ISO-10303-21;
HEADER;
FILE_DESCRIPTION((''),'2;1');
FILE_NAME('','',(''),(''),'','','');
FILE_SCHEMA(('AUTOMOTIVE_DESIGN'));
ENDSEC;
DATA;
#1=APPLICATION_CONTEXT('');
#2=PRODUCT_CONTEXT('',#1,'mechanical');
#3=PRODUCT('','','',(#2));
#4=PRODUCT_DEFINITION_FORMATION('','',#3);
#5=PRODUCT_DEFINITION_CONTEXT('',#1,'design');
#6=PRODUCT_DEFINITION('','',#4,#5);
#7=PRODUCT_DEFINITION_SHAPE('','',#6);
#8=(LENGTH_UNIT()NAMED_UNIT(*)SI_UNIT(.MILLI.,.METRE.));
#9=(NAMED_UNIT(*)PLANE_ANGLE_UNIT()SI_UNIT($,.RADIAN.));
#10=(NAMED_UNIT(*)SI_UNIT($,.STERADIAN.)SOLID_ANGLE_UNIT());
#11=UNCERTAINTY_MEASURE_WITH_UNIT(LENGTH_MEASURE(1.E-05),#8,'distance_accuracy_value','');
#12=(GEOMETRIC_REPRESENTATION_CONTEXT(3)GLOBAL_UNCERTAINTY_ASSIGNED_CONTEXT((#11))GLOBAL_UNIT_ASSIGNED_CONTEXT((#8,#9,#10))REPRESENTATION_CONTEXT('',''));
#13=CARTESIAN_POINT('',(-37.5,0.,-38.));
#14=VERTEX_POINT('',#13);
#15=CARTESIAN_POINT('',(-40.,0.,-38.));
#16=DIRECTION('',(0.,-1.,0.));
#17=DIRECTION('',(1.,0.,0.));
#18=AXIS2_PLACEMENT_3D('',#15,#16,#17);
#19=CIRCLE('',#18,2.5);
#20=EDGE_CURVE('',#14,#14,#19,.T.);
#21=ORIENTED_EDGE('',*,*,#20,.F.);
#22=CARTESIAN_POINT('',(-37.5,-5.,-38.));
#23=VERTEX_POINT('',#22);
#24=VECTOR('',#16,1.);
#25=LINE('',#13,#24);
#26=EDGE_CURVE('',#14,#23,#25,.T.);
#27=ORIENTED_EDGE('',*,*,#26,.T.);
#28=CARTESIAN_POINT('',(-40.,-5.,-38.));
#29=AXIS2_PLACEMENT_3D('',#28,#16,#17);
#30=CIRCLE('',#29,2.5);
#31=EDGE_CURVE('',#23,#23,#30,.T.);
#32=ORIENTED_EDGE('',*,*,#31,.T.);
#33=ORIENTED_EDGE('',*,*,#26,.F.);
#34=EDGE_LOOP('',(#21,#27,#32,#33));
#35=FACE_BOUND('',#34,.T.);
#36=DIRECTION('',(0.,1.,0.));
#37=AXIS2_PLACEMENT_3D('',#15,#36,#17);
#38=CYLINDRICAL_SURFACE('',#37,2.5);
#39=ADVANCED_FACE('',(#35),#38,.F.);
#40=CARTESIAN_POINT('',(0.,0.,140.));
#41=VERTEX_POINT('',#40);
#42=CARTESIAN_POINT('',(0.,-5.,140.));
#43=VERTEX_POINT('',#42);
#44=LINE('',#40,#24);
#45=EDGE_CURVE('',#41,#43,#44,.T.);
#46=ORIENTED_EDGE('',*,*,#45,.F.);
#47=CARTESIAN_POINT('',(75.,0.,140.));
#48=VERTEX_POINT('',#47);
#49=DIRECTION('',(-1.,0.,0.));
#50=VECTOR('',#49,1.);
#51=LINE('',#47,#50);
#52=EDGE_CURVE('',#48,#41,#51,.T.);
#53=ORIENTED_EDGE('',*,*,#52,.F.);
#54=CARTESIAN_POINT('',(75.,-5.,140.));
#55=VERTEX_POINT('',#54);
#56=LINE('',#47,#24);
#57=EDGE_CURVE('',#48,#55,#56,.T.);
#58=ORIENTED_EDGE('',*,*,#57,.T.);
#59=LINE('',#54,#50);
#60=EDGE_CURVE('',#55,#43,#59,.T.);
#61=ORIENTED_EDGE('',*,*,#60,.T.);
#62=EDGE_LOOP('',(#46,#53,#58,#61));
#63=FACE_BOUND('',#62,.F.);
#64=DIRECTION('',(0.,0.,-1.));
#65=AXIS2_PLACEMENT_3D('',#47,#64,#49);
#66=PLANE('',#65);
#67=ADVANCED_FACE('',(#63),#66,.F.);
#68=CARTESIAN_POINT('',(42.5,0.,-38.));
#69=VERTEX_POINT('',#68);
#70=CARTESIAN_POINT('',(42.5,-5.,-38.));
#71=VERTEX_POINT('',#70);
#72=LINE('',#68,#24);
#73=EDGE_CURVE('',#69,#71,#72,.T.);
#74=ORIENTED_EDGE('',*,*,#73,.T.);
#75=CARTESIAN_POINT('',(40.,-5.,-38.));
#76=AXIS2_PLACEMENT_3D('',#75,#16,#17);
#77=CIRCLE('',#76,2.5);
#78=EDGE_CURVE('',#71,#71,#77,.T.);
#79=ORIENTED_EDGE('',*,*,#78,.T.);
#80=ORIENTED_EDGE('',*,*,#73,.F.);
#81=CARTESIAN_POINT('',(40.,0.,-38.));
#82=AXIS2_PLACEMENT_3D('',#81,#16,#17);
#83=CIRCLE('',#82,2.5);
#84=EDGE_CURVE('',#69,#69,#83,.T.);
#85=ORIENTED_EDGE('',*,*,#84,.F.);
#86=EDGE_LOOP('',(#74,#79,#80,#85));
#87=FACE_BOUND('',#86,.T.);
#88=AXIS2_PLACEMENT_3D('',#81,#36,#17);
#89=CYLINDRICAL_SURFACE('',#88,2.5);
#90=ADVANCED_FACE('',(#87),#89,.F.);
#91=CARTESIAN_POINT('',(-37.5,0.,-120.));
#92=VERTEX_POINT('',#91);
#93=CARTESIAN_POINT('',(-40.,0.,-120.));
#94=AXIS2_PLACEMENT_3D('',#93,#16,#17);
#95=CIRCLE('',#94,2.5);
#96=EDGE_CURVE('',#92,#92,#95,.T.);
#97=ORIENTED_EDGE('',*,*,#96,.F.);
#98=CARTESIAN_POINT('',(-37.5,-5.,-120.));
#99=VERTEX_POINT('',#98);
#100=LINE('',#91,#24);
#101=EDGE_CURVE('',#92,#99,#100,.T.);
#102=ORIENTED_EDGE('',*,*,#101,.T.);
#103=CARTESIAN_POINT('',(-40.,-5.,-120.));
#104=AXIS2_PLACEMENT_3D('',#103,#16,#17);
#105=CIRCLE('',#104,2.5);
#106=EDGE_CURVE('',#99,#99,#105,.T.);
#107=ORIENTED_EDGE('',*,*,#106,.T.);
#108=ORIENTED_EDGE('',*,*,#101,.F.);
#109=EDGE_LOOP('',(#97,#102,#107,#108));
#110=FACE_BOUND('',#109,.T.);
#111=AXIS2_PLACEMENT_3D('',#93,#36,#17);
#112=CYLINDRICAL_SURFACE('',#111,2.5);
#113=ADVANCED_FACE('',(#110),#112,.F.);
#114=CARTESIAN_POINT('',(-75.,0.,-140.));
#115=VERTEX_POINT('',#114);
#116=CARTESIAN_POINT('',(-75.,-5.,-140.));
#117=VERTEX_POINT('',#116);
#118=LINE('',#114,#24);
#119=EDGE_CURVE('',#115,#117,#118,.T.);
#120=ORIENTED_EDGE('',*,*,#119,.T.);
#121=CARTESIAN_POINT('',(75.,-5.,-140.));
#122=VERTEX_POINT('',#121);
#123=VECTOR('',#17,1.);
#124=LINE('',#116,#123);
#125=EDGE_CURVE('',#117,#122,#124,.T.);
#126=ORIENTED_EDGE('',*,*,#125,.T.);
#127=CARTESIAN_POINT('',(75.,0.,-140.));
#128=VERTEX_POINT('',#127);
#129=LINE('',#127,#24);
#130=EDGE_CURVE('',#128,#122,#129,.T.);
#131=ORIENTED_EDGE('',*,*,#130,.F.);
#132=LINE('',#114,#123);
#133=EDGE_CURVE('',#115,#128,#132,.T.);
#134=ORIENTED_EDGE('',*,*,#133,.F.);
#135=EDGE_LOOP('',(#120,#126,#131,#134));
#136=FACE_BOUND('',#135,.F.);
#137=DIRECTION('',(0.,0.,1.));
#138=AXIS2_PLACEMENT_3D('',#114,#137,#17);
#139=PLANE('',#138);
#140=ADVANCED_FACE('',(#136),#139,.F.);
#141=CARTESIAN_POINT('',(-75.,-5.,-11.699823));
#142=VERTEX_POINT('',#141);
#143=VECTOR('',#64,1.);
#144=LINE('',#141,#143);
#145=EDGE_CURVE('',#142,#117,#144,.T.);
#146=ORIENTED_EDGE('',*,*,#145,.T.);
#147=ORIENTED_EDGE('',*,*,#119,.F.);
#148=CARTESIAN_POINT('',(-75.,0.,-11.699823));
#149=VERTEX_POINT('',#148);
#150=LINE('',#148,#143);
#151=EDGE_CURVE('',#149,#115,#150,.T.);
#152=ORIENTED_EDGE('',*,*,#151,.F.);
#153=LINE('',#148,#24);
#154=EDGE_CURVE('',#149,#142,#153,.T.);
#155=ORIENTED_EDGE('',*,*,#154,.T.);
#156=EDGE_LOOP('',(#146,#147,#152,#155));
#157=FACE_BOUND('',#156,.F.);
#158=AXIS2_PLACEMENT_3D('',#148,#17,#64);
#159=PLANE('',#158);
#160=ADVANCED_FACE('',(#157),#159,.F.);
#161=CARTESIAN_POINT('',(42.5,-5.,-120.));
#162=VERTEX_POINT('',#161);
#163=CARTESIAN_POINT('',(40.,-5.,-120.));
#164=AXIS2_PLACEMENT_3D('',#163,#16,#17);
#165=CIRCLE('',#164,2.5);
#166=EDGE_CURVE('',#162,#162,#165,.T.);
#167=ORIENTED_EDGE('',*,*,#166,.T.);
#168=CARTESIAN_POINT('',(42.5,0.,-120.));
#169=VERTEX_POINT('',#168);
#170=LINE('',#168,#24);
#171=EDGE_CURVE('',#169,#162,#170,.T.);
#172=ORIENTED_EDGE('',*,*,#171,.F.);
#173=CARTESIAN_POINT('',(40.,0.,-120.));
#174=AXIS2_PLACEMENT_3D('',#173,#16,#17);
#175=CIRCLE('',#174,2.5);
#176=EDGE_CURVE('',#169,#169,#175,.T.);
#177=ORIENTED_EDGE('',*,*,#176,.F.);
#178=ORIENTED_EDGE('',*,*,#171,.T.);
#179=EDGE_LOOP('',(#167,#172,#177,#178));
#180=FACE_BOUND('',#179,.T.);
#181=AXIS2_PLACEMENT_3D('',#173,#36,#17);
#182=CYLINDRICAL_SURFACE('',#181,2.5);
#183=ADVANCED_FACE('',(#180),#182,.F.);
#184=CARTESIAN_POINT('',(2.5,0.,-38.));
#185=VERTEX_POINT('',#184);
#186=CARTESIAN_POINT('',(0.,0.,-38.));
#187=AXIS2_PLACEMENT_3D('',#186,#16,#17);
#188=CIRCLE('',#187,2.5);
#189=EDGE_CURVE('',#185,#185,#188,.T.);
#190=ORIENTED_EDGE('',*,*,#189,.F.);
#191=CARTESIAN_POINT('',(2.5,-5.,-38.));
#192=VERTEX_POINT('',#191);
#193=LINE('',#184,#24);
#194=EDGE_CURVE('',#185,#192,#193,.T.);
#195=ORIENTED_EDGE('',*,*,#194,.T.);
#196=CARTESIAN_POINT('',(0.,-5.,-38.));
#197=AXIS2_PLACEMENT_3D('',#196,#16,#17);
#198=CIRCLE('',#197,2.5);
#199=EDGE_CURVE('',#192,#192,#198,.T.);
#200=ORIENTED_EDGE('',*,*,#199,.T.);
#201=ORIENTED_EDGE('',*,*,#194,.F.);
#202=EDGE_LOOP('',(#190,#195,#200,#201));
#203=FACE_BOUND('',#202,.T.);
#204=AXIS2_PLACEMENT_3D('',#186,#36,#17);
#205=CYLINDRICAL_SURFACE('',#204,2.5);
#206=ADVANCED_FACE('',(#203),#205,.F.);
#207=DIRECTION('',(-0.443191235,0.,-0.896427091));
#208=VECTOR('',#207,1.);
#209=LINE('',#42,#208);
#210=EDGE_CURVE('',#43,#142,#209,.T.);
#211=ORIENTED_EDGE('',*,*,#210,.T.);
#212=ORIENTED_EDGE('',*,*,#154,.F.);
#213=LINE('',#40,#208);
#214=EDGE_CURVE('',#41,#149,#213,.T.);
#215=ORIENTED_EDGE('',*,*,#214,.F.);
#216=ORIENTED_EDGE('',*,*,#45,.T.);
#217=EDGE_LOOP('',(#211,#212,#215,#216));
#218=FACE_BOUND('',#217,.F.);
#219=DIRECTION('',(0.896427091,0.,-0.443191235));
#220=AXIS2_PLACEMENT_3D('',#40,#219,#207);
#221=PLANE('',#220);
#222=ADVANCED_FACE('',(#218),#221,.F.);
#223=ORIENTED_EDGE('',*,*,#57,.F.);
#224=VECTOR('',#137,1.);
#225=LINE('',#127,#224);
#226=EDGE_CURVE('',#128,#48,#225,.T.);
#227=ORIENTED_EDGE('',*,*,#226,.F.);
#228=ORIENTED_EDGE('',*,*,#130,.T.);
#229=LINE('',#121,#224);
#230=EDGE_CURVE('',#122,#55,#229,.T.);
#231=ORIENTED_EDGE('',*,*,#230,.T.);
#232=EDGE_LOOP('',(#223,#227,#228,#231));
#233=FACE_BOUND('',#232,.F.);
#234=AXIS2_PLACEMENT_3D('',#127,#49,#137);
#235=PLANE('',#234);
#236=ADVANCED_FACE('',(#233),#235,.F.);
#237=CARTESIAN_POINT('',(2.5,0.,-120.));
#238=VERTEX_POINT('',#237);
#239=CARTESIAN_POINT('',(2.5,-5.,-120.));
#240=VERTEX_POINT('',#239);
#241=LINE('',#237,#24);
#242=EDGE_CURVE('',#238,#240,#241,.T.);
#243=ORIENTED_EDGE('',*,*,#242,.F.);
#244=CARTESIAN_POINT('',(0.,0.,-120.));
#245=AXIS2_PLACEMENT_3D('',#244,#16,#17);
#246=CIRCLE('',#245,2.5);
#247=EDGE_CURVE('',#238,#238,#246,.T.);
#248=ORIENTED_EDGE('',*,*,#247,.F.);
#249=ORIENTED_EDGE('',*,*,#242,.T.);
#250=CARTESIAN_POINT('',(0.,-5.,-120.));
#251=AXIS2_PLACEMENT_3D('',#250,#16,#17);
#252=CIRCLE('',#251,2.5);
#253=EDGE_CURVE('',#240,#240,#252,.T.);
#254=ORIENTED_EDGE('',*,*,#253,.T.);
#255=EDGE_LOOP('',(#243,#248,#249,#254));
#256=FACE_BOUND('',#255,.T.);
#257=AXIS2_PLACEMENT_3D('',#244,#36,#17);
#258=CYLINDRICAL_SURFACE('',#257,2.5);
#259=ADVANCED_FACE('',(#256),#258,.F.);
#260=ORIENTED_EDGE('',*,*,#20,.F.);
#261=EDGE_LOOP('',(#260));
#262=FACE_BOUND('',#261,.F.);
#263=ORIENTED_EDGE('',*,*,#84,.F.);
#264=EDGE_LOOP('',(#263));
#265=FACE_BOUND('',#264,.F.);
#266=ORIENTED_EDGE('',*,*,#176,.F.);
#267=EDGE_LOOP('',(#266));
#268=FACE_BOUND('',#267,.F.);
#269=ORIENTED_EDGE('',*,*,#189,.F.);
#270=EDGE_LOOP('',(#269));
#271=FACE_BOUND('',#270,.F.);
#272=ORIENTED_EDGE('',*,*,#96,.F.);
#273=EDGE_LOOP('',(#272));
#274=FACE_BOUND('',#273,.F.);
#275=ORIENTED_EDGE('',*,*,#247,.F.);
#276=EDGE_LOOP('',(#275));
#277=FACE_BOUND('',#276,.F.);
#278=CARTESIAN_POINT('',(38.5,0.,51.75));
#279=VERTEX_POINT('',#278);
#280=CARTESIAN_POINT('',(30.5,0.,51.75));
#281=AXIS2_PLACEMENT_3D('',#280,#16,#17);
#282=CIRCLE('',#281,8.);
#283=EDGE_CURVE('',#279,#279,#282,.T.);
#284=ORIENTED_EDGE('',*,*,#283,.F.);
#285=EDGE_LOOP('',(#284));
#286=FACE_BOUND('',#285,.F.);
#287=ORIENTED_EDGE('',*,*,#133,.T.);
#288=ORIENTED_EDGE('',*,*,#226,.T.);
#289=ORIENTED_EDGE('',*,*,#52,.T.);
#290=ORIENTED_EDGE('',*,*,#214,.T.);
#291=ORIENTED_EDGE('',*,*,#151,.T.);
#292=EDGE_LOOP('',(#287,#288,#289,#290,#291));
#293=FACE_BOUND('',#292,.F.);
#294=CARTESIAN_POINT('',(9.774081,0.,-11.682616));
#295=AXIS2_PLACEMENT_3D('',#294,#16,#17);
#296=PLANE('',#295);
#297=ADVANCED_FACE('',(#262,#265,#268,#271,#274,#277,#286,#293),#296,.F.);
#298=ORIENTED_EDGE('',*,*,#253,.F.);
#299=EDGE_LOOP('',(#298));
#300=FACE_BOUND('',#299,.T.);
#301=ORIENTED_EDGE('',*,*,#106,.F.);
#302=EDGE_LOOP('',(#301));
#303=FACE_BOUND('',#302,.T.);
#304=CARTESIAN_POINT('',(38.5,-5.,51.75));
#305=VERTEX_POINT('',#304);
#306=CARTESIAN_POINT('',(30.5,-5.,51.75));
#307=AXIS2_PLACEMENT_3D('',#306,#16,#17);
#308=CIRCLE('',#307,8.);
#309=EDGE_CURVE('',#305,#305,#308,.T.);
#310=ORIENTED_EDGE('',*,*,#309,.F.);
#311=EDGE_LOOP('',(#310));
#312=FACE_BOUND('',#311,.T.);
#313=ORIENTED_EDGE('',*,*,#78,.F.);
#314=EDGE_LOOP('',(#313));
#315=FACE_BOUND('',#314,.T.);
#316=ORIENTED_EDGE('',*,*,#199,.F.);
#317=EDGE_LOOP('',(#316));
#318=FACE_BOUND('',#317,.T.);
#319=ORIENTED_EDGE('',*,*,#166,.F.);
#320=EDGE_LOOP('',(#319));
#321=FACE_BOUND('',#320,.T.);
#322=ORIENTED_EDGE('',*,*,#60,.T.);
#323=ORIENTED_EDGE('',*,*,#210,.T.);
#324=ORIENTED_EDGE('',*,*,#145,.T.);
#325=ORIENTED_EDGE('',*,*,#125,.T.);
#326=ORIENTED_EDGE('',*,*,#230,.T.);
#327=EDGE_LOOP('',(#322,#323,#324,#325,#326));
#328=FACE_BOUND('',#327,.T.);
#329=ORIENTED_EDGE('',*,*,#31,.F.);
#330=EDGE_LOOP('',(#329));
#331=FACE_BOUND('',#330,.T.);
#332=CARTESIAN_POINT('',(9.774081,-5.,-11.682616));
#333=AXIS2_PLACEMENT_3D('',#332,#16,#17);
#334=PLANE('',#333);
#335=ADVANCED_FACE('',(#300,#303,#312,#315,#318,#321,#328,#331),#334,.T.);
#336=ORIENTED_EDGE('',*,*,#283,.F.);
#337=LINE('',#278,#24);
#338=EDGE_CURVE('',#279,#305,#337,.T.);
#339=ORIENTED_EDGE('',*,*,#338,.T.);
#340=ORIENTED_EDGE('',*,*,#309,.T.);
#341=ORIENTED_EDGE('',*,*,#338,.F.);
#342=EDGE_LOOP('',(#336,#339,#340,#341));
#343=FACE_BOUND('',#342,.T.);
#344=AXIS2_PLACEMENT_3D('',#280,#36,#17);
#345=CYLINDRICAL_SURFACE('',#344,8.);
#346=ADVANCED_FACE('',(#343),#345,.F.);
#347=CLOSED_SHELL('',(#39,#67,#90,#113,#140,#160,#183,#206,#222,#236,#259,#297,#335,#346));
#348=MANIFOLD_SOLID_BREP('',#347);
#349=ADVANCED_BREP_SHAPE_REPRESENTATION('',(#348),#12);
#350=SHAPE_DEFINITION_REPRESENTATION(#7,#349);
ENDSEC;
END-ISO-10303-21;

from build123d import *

# Parameters (mm, degrees)
F0_R     = 2.5
F0_R_2   = 8
F1_DEPTH = 5


with BuildPart() as f1:
    # F0 (on Front) → F1 (new body)
    with BuildSketch(Plane.XZ):
        Polygon((-75, -140), (75, -140), (75, 140), (0, 140), (-75, -11.699823), align=None)
        with Locations((-40, -120)):
            Circle(F0_R, mode=Mode.SUBTRACT)
        with Locations((-40, -38)):
            Circle(F0_R, mode=Mode.SUBTRACT)
        with Locations((0, -120)):
            Circle(F0_R, mode=Mode.SUBTRACT)
        with Locations((40, -120)):
            Circle(F0_R, mode=Mode.SUBTRACT)
        with Locations((0, -38)):
            Circle(F0_R, mode=Mode.SUBTRACT)
        with Locations((40, -38)):
            Circle(F0_R, mode=Mode.SUBTRACT)
        with Locations((30.5, 51.75)):
            Circle(F0_R_2, mode=Mode.SUBTRACT)
    extrude(amount=F1_DEPTH)


solid = f1.part
